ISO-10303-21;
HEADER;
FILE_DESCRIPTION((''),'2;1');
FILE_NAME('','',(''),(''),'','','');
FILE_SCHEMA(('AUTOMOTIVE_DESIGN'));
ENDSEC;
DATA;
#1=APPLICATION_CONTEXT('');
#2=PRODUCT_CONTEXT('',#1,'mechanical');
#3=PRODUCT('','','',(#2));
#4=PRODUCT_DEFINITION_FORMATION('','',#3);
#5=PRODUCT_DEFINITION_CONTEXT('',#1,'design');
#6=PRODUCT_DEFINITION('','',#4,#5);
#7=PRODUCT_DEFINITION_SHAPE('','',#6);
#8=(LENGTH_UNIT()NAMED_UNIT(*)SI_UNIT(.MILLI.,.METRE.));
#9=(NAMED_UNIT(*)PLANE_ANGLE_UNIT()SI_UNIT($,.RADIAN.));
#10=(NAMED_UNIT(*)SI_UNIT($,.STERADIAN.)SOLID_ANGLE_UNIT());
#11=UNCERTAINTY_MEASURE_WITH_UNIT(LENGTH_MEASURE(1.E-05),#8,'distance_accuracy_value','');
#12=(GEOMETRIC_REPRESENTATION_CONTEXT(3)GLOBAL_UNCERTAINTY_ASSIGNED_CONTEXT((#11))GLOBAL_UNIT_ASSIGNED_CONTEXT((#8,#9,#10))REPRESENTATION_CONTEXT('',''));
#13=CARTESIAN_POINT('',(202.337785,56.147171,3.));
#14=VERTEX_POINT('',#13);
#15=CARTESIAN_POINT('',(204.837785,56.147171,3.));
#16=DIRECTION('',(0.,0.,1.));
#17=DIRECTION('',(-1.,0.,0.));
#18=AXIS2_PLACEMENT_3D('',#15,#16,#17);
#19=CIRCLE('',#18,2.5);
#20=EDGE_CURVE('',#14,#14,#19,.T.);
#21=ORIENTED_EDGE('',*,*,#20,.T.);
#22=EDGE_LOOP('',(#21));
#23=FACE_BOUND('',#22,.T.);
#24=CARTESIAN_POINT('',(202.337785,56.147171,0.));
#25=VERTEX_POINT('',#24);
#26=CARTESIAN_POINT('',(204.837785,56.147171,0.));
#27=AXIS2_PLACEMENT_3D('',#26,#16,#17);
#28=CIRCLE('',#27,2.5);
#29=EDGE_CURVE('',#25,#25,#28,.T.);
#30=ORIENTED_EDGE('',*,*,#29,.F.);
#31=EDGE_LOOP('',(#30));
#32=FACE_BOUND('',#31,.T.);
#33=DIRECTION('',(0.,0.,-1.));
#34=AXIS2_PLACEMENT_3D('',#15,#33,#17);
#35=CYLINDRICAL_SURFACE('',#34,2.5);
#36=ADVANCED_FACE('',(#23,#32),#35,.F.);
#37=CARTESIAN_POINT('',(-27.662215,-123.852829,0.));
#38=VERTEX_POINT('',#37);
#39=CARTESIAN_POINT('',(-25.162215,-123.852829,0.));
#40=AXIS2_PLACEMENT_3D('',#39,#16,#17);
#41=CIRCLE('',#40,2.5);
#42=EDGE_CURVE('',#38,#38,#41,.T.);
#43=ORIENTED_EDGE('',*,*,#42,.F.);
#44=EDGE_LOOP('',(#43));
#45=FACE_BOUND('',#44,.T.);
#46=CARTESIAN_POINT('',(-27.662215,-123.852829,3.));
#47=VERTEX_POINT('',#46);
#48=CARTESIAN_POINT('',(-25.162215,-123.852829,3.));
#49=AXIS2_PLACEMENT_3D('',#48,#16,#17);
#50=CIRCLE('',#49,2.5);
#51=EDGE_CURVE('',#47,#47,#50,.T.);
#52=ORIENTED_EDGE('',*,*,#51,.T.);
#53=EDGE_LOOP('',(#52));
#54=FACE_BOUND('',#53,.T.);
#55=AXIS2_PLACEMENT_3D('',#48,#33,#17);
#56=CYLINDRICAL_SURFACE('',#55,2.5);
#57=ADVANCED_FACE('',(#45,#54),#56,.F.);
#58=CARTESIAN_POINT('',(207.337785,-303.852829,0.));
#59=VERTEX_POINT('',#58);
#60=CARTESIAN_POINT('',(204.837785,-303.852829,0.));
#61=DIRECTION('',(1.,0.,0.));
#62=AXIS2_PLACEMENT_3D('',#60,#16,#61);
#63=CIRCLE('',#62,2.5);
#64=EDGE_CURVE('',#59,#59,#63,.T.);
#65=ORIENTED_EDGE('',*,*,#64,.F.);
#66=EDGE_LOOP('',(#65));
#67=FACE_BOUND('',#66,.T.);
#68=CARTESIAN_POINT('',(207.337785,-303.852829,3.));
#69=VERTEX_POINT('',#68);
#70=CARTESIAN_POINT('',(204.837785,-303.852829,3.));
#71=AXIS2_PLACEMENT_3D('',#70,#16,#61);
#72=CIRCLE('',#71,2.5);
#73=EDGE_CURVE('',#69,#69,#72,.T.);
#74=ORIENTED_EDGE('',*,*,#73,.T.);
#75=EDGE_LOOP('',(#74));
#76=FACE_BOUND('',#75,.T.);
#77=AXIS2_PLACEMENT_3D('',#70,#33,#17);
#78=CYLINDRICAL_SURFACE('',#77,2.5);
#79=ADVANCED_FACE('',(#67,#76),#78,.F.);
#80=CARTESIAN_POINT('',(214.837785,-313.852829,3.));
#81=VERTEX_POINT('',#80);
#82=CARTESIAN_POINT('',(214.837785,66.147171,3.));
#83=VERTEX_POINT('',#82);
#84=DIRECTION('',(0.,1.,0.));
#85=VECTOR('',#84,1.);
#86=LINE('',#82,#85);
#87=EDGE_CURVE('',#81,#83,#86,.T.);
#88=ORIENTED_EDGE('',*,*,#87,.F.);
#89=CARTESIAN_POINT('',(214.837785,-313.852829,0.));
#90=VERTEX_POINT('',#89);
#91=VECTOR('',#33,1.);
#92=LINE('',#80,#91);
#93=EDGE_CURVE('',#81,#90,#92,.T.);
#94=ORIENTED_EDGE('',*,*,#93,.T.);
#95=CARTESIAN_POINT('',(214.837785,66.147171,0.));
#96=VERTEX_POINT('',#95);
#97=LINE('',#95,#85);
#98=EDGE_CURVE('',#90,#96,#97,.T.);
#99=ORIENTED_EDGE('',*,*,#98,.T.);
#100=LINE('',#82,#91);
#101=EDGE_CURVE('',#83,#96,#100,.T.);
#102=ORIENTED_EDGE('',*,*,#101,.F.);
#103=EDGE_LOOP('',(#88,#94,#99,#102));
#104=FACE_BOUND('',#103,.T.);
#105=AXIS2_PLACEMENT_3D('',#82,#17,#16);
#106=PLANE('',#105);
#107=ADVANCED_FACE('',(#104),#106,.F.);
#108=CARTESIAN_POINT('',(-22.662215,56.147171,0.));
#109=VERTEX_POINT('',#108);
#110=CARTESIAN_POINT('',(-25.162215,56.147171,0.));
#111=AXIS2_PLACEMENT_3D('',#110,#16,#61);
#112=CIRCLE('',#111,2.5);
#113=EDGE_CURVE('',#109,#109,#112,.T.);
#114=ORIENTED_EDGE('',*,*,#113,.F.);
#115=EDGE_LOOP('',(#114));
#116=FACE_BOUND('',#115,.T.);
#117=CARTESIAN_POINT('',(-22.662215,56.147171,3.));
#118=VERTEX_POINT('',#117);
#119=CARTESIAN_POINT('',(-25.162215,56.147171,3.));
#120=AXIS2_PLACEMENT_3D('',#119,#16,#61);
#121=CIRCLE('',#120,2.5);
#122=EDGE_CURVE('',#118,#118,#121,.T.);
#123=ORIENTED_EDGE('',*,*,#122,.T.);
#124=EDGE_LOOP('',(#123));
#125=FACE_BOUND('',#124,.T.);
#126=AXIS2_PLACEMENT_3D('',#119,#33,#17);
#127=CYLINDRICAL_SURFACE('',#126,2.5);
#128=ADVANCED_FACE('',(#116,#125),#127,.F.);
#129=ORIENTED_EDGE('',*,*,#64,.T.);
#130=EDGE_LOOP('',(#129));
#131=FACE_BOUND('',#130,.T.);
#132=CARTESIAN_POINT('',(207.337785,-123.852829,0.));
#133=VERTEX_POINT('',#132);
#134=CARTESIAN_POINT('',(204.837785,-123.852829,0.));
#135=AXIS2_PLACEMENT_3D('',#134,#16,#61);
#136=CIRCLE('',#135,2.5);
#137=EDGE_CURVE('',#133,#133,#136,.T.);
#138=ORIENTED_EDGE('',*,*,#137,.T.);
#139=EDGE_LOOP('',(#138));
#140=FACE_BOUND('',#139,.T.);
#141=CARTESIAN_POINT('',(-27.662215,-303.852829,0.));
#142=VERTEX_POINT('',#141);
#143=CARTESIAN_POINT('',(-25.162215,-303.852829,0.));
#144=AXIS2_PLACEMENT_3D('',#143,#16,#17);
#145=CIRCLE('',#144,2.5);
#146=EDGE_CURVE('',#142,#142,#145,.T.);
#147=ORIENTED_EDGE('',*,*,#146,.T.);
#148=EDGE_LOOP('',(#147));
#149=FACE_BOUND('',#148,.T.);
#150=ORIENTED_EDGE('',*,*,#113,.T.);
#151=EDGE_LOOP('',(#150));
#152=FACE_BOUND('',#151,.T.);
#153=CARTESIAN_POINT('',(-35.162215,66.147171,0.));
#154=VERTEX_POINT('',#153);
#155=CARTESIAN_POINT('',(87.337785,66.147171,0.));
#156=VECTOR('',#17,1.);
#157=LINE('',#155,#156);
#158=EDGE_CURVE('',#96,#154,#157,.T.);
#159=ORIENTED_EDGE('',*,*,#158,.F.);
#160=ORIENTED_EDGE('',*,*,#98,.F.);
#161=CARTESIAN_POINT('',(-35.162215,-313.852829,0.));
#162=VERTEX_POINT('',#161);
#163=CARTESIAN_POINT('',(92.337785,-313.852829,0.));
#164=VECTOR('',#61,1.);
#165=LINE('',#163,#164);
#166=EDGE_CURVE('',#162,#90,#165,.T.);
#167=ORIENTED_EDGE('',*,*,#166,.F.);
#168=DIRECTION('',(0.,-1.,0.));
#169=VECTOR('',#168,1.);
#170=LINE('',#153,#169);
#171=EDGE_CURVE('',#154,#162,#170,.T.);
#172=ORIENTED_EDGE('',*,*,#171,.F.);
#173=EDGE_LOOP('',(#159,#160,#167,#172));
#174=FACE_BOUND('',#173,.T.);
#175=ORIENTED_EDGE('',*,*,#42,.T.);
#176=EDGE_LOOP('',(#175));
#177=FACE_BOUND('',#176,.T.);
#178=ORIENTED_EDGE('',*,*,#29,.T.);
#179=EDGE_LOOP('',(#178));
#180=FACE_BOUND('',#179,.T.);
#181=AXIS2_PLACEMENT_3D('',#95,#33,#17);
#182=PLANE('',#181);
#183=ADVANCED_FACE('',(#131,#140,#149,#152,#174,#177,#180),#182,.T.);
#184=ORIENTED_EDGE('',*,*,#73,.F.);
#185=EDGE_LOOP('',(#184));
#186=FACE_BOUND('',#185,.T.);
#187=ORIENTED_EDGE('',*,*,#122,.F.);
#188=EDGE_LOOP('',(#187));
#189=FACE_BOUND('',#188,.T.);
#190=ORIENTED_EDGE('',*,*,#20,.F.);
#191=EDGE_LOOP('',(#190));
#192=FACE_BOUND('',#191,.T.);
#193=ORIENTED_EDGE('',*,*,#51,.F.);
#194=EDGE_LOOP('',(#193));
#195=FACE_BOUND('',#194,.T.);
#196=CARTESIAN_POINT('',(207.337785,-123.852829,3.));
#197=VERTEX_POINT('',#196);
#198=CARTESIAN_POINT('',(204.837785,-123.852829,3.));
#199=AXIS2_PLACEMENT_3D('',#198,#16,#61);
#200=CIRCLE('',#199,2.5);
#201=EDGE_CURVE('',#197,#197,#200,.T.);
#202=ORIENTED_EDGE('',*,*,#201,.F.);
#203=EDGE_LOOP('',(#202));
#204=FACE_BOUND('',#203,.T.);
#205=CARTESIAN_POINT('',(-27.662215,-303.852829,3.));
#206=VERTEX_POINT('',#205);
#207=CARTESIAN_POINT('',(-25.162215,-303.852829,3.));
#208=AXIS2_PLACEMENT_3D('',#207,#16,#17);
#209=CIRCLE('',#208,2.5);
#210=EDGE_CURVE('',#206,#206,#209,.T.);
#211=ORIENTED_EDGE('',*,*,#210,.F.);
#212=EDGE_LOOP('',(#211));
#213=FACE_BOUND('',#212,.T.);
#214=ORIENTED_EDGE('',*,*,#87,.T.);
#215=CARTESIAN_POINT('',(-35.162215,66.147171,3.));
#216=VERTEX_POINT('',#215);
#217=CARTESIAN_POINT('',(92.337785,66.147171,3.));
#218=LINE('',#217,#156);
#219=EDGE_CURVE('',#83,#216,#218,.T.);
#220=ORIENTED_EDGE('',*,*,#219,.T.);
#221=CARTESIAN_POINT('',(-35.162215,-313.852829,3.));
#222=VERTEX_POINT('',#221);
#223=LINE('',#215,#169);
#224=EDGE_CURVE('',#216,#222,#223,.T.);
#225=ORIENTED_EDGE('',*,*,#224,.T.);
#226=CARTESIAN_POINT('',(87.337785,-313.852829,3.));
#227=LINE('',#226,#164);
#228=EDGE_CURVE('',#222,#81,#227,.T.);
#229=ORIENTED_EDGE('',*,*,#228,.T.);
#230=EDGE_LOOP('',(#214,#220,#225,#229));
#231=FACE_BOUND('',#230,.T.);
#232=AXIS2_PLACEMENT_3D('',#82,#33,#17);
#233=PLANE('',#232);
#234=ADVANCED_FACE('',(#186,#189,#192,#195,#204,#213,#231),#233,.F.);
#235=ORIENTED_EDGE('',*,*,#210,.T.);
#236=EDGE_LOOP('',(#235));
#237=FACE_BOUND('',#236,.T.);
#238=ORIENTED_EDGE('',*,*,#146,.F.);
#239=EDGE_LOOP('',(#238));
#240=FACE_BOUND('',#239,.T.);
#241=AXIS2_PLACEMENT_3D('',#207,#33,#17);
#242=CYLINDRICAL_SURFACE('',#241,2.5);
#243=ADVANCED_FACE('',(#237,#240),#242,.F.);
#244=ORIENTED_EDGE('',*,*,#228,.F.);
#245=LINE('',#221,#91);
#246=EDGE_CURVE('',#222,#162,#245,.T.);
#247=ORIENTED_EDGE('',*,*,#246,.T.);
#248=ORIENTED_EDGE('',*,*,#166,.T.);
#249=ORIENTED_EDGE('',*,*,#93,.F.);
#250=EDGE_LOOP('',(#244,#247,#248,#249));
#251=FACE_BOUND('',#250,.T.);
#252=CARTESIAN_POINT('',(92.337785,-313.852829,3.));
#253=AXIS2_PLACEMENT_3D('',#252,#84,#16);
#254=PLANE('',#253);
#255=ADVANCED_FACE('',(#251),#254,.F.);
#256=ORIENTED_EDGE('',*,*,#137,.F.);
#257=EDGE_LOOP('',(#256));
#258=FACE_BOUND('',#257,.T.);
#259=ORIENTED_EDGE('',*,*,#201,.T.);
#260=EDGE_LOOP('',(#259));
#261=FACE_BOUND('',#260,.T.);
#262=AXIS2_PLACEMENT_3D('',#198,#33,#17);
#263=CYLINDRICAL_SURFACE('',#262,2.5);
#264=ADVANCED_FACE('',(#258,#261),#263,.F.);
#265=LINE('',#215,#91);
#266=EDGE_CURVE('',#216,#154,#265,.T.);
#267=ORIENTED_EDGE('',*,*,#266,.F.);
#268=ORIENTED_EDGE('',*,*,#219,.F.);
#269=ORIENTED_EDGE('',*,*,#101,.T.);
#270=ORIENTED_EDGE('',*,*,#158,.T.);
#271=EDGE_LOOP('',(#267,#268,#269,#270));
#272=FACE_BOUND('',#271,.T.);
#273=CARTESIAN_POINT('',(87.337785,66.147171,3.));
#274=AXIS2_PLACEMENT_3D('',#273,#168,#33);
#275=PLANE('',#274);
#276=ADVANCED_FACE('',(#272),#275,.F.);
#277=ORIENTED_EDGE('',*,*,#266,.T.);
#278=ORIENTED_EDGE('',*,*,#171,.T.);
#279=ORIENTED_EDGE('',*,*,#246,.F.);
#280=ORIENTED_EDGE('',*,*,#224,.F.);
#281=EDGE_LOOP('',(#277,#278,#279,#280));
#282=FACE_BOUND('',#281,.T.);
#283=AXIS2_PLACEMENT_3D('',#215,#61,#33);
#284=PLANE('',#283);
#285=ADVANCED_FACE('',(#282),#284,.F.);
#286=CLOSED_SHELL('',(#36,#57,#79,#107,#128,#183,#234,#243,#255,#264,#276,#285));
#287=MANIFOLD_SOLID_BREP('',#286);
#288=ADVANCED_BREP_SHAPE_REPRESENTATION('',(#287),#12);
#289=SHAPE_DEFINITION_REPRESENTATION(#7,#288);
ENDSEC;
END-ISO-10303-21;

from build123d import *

# Parameters (mm, degrees)
ESQUISSE1_R        = 2.5
BOSS_EXTRU_1_DEPTH = 3


with BuildPart() as part:
    # Esquisse1 → Boss.-Extru.1 (new body)
    with BuildSketch(Plane.XY):
        Polygon((87.337784558, 66.147170972), (-35.162215442, 66.147170972), (-35.162215442, -313.852829028), (87.337784558, -313.852829028), (92.337784558, -313.852829028), (214.837784558, -313.852829028), (214.837784558, 66.147170972), (92.337784558, 66.147170972), align=None)
        with Locations((-25.162215442, 56.147170972)):
            Circle(ESQUISSE1_R, mode=Mode.SUBTRACT)
        with Locations((204.837784558, 56.147170972)):
            Circle(ESQUISSE1_R, mode=Mode.SUBTRACT)
        with Locations((204.837784558, -303.852829028)):
            Circle(ESQUISSE1_R, mode=Mode.SUBTRACT)
        with Locations((-25.162215442, -303.852829028)):
            Circle(ESQUISSE1_R, mode=Mode.SUBTRACT)
        with Locations((204.837784558, -123.852829028)):
            Circle(ESQUISSE1_R, mode=Mode.SUBTRACT)
        with Locations((-25.162215442, -123.852829028)):
            Circle(ESQUISSE1_R, mode=Mode.SUBTRACT)
    extrude(amount=BOSS_EXTRU_1_DEPTH)


solid = part.part
